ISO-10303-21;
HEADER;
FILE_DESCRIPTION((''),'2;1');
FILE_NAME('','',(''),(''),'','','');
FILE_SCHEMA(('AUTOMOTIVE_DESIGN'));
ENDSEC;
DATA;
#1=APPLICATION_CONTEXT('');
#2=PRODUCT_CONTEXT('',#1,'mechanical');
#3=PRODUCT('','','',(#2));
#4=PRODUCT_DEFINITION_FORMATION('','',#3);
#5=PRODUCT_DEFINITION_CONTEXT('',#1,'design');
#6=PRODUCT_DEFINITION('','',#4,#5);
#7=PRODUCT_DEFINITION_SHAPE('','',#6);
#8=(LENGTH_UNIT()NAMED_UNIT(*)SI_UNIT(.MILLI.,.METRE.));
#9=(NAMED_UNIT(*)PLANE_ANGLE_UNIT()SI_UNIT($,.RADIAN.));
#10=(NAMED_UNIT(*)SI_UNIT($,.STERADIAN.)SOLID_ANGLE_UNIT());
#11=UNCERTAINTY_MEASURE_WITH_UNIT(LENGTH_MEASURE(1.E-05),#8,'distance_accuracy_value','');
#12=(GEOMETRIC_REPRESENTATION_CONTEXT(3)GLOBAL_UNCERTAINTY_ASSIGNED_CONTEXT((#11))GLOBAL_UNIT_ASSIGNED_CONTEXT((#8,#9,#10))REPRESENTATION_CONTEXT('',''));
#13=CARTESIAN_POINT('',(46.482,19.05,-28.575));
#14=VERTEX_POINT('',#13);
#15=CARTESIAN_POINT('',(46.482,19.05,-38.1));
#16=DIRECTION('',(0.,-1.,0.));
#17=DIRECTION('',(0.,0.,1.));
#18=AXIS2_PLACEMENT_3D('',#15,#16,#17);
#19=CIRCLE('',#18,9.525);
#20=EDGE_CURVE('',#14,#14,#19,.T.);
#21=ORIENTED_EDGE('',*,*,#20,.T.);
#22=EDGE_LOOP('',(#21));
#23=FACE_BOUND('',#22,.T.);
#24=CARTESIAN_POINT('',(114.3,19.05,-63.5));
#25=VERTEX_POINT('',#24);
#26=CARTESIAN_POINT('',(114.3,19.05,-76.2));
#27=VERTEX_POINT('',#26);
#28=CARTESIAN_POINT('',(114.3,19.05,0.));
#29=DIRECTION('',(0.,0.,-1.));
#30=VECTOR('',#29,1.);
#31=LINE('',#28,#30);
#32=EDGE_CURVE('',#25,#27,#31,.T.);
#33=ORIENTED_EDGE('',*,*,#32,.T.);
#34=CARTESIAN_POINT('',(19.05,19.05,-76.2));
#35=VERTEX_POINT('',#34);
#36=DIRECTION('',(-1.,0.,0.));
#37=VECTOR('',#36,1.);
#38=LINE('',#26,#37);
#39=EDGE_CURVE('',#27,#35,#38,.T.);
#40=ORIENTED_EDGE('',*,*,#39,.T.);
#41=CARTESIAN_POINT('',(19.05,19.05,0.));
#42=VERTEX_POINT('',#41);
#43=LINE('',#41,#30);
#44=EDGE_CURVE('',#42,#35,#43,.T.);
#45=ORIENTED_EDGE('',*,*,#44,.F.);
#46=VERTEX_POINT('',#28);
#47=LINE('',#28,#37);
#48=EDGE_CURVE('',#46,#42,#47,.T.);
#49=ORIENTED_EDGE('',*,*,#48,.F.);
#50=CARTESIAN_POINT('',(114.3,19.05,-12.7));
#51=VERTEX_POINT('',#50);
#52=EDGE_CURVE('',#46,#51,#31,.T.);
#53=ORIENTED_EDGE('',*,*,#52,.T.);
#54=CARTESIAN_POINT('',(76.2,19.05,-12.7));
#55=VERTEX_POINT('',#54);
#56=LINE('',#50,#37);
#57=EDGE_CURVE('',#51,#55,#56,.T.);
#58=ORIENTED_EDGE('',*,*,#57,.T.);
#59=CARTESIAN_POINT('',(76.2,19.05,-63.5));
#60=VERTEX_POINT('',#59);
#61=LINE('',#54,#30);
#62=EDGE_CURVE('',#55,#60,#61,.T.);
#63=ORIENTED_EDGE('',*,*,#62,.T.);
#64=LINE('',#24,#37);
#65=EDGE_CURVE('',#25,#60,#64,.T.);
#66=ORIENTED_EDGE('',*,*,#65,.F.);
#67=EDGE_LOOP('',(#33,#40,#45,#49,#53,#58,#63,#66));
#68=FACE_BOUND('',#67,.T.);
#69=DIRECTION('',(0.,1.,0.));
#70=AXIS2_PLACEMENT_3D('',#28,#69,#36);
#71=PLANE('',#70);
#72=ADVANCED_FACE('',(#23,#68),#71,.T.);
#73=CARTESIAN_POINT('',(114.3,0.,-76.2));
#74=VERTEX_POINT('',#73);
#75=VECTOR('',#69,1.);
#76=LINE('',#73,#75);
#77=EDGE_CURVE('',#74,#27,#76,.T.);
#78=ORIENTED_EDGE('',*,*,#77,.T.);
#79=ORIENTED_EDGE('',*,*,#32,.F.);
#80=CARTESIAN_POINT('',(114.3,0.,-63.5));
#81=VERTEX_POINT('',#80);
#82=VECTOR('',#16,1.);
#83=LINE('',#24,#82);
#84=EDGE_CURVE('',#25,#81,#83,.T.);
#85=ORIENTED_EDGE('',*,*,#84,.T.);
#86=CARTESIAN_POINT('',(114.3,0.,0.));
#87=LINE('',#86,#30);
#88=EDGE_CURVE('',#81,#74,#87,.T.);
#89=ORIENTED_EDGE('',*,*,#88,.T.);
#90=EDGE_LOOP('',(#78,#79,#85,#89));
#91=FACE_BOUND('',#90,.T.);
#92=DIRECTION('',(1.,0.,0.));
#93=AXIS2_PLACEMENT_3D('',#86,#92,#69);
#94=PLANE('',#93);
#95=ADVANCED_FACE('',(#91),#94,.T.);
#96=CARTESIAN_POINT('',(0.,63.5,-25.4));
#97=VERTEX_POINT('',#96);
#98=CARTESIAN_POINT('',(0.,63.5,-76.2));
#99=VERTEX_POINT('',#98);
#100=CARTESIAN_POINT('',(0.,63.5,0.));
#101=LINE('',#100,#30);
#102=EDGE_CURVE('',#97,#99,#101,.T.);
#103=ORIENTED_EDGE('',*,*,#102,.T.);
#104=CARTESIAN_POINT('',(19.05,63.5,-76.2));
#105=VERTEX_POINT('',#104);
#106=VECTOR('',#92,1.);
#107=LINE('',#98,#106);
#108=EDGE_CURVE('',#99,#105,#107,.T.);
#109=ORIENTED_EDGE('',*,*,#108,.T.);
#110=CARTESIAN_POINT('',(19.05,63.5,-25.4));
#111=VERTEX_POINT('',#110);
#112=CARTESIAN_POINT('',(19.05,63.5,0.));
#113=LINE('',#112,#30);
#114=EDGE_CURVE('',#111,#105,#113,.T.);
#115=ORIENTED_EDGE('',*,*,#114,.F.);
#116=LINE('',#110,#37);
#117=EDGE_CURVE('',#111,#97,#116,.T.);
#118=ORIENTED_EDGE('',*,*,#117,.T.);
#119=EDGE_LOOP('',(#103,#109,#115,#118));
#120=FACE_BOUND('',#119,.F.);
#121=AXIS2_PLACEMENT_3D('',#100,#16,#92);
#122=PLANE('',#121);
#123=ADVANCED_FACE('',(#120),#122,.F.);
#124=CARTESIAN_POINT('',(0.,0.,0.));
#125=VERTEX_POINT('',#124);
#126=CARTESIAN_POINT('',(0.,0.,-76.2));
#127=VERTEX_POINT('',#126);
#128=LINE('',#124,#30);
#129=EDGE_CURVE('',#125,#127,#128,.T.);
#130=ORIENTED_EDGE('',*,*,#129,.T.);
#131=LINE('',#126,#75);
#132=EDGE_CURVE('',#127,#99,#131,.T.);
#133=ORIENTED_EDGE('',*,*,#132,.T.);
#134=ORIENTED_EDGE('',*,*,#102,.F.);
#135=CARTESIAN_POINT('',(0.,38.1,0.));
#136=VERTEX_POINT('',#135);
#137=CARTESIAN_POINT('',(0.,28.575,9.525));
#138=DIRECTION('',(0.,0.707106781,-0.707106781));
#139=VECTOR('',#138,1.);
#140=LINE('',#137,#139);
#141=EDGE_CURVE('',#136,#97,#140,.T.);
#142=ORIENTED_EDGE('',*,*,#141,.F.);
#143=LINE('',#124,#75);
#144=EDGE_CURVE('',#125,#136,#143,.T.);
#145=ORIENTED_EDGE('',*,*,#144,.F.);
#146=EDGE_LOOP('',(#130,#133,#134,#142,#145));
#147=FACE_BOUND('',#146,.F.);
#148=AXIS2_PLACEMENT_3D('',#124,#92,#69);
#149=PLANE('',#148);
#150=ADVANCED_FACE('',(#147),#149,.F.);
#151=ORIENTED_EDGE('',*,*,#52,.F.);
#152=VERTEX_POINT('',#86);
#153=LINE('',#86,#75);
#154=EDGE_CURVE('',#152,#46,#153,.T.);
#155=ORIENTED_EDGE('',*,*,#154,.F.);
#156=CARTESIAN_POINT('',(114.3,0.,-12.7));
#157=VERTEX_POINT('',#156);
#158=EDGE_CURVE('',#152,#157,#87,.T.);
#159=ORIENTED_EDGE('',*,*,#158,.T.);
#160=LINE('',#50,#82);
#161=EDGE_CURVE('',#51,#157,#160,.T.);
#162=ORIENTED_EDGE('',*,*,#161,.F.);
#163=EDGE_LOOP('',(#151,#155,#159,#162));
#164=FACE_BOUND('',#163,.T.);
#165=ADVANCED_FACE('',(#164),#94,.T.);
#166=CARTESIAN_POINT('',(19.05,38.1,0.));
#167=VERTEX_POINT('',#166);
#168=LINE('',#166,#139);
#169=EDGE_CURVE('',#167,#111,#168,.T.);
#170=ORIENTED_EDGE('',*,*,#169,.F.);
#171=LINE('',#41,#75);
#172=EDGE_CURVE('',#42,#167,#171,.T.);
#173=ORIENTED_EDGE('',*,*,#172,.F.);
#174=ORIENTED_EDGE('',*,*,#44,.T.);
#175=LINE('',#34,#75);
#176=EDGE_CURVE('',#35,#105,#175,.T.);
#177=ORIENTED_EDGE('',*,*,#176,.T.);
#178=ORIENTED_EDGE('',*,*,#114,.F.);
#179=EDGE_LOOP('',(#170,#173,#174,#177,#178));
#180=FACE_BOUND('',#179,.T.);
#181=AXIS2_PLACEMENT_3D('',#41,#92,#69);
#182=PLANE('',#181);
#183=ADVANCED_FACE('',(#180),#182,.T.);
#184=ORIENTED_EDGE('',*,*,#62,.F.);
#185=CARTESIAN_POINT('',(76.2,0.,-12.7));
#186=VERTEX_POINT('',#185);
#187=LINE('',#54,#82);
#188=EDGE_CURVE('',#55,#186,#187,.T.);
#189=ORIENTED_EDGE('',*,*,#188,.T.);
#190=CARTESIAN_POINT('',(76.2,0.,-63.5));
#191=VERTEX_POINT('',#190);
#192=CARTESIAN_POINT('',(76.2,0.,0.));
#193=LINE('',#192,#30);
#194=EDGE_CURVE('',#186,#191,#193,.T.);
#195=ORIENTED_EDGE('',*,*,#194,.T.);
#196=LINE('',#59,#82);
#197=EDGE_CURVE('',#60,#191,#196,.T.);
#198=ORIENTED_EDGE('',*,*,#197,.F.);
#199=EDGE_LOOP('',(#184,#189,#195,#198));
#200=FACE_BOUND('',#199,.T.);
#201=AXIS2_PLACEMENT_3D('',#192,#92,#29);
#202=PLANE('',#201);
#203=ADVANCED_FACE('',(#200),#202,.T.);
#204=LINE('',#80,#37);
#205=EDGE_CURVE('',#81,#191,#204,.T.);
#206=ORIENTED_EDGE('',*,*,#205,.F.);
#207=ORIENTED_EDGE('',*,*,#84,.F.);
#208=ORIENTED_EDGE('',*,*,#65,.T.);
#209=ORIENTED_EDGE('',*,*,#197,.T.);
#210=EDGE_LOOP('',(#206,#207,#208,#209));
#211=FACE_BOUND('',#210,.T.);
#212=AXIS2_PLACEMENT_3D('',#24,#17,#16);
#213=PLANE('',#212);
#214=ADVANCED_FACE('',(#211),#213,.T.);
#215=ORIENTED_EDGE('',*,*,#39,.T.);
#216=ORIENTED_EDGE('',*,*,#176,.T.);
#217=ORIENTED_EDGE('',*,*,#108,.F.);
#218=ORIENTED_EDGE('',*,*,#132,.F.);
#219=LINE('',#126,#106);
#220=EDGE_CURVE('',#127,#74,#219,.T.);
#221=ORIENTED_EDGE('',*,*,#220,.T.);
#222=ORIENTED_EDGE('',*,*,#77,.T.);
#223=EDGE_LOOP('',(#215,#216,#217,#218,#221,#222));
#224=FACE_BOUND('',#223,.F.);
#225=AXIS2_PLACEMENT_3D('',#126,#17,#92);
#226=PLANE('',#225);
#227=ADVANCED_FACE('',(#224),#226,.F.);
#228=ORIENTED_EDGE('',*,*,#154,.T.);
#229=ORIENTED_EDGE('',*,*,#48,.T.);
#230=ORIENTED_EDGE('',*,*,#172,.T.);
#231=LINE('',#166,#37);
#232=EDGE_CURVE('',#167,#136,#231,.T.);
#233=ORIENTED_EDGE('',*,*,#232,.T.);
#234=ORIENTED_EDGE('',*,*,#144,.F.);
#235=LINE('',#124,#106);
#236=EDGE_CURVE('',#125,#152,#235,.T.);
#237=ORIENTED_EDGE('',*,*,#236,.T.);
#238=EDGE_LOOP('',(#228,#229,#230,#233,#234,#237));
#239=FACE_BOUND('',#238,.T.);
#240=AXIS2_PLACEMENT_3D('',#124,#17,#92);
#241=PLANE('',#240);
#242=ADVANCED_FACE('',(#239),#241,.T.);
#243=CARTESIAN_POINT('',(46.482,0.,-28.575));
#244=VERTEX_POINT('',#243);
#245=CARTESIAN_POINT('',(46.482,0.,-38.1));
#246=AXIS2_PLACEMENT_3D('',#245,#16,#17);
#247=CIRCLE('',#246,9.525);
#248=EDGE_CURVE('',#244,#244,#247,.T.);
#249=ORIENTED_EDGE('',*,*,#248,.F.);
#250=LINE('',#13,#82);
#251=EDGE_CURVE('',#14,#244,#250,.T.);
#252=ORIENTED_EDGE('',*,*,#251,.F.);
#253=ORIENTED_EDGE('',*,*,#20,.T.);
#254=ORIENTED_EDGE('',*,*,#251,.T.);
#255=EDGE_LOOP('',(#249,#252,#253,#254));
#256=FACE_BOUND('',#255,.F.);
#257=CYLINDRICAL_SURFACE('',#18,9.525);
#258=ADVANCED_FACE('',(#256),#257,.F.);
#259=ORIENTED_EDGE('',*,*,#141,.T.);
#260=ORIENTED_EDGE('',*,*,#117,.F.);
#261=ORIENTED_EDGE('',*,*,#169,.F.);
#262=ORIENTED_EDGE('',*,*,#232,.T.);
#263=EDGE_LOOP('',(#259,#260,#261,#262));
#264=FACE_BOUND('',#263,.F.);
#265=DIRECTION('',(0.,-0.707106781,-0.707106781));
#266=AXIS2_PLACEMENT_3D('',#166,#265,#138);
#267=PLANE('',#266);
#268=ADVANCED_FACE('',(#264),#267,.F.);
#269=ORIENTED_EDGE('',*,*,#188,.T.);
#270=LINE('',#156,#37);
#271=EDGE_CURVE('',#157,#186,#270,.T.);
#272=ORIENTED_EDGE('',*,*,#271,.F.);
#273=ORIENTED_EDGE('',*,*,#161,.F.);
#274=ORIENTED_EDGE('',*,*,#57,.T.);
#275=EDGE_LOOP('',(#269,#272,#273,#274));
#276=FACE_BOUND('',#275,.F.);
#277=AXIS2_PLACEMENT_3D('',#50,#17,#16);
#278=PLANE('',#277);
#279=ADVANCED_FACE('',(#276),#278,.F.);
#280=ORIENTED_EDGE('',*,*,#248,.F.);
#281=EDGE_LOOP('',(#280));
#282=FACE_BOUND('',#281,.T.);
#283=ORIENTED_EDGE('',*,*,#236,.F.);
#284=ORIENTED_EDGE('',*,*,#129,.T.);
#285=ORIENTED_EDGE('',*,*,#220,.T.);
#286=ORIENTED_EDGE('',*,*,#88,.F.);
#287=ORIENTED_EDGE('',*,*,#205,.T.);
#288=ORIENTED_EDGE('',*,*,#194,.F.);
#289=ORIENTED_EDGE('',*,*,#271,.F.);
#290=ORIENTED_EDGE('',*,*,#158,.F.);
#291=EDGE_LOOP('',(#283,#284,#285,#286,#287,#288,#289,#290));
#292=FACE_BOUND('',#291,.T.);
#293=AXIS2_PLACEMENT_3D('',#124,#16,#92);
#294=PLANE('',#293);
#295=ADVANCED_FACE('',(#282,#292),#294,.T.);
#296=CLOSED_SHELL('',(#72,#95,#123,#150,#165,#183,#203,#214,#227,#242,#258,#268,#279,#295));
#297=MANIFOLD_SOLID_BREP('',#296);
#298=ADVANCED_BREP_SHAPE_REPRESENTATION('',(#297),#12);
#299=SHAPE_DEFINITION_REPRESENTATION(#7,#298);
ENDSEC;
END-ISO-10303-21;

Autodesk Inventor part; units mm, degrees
ref_plane "YZ Plane" through (0, 0, 0) normal (1, 0, 0) x (0, 1, 0)
ref_plane "XZ Plane" through (0, 0, 0) normal (0, 1, 0) x (-1, 0, 0)
ref_plane "XY Plane" through (0, 0, 0) normal (0, 0, 1) x (1, 0, 0)
sketch "Sketch1" plane through (0, 0, 0) normal (0, 0, 1) x (1, 0, 0)
  line L0 (0, 0) -> (114.3, 0)
  line L1 (0, 0) -> (0, 63.5)
  line L2 (0, 63.5) -> (19.05, 63.5)
  line L3 (114.3, 0) -> (114.3, 19.05)
  line L4 (114.3, 19.05) -> (19.05, 19.05)
  line L5 (19.05, 19.05) -> (19.05, 63.5)
  dimension "d0" = 114.3
  dimension "d1" = 63.5
  dimension "d2" = 19.05
  dimension "d3" = 19.05
extrude "Extrusion1" add sketch "Sketch1" against normal blind 76.2
sketch "Sketch2" plane through (19.05, 19.05, 0) normal (1, 0, 0) x (0, 0, -1)
  line L0 (76.2, -19.05) -> (76.2, 44.45) projected
  line L1 (0, 44.45) -> (76.2, 44.45) projected
  line L2 (25.4, 44.45) -> (0, 44.45)
  line L3 (0, 44.45) -> (0, 19.05)
  line L4 (0, 44.45) -> (0, -19.05) projected
  line L5 (0, 19.05) -> (25.4, 44.45)
  dimension "d7" = 25.4
extrude "Extrusion2" cut sketch "Sketch2" against normal through all
sketch "Sketch3" plane through (114.3, 0, 0) normal (1, 0, 0) x (0, 0, -1)
  line L0 (12.7, 19.05) -> (12.7, 0)
  line L1 (0, 0) -> (76.2, 0) projected
  line L2 (12.7, 19.05) -> (63.5, 19.05)
  line L3 (0, 19.05) -> (76.2, 19.05) projected
  line L4 (63.5, 19.05) -> (63.5, 0)
  line L5 (12.7, 0) -> (63.5, 0)
  dimension "d11" = 50.8
extrude "Extrusion3" cut sketch "Sketch3" against normal blind 38.1
sketch "Sketch4" plane through (19.05, 19.05, 0) normal (0, 1, 0) x (1, 0, 0)
  line L0 (95.25, 0) -> (0, 0) projected
  line L1 (95.25, 0) -> (95.25, 12.7) projected
  point P0 (-19.05, 0)
  point P1 (27.432, 38.1)
  dimension "d14" = 38.1
  dimension "d15" = 67.818
hole "Hole1" at (46.482, 19.05, -38.1) direction (0, -1, 0) diameter 19.05 end through all
properties part number "Assignment 3.6 - L-Bracket"
